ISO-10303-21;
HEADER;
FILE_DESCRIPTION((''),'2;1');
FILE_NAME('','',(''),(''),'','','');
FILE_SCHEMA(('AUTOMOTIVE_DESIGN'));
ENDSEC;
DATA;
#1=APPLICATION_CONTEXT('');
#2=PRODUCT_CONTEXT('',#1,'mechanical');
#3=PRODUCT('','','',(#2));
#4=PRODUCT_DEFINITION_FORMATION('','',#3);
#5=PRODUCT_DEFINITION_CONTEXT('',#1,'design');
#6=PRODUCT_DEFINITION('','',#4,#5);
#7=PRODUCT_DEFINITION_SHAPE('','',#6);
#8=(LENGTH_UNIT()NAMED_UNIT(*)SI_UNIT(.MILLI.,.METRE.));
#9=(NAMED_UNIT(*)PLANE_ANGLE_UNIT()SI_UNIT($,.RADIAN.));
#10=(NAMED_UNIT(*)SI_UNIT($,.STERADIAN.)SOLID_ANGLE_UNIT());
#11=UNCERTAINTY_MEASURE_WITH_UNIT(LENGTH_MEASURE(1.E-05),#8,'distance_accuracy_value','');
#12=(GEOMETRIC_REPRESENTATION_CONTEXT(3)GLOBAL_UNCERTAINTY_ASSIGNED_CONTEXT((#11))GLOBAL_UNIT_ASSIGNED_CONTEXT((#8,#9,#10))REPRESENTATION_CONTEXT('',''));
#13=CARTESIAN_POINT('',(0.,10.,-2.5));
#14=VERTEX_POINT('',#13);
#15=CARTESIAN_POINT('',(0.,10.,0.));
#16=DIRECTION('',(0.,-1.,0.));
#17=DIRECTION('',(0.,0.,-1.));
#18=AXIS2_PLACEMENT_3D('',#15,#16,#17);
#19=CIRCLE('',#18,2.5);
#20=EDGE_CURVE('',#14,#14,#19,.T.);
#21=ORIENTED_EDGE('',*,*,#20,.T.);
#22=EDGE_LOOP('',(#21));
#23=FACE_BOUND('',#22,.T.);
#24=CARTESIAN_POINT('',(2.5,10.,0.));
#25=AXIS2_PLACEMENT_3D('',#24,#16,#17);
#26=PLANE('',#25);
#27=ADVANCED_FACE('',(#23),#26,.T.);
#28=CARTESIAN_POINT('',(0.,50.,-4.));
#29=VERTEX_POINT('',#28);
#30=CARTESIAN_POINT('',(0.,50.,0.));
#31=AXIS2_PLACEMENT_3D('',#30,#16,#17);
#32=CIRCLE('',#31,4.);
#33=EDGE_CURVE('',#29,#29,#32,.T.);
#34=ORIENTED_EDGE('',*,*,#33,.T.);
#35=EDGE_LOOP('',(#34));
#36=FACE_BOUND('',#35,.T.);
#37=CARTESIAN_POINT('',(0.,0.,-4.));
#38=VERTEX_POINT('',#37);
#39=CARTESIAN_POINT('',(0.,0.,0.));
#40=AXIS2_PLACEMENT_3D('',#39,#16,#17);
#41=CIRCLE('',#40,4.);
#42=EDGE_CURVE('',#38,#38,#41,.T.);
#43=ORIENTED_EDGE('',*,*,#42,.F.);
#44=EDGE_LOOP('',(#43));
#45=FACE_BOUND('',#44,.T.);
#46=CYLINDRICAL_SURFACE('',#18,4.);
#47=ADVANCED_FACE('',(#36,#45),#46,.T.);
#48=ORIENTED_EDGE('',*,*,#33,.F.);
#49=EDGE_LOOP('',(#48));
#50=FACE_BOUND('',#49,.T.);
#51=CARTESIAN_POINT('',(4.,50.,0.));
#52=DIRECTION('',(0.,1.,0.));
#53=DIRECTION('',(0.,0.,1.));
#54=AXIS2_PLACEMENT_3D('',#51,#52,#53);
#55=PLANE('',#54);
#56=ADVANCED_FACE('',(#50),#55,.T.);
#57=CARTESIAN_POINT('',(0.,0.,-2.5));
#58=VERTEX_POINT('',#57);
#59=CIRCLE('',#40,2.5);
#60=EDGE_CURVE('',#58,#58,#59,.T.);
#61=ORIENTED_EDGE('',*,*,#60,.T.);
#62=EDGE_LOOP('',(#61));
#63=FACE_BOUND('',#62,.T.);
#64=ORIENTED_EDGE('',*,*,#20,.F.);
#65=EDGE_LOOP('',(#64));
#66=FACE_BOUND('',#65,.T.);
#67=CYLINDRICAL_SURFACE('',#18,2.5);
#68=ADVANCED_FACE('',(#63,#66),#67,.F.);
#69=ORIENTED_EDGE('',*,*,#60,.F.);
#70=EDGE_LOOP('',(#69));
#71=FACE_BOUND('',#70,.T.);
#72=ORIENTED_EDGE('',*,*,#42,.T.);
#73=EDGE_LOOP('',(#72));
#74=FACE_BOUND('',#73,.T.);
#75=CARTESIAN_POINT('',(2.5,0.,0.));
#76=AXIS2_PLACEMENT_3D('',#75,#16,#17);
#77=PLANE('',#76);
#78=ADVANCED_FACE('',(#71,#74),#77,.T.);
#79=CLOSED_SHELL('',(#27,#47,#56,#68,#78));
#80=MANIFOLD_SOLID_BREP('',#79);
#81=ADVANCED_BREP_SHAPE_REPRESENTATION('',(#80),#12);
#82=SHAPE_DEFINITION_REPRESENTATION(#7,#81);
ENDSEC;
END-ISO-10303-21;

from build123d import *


with BuildPart() as part:
    # Esquisse1 → Révolution1 (revolve)
    with BuildSketch(Plane.XY):
        Polygon((2.5, 0), (4, 0), (4, 50), (0, 50), (0, 10), (2.5, 10), align=None)
    revolve(axis=Axis((0, 10, 0), (0, 1, 0)))


solid = part.part
